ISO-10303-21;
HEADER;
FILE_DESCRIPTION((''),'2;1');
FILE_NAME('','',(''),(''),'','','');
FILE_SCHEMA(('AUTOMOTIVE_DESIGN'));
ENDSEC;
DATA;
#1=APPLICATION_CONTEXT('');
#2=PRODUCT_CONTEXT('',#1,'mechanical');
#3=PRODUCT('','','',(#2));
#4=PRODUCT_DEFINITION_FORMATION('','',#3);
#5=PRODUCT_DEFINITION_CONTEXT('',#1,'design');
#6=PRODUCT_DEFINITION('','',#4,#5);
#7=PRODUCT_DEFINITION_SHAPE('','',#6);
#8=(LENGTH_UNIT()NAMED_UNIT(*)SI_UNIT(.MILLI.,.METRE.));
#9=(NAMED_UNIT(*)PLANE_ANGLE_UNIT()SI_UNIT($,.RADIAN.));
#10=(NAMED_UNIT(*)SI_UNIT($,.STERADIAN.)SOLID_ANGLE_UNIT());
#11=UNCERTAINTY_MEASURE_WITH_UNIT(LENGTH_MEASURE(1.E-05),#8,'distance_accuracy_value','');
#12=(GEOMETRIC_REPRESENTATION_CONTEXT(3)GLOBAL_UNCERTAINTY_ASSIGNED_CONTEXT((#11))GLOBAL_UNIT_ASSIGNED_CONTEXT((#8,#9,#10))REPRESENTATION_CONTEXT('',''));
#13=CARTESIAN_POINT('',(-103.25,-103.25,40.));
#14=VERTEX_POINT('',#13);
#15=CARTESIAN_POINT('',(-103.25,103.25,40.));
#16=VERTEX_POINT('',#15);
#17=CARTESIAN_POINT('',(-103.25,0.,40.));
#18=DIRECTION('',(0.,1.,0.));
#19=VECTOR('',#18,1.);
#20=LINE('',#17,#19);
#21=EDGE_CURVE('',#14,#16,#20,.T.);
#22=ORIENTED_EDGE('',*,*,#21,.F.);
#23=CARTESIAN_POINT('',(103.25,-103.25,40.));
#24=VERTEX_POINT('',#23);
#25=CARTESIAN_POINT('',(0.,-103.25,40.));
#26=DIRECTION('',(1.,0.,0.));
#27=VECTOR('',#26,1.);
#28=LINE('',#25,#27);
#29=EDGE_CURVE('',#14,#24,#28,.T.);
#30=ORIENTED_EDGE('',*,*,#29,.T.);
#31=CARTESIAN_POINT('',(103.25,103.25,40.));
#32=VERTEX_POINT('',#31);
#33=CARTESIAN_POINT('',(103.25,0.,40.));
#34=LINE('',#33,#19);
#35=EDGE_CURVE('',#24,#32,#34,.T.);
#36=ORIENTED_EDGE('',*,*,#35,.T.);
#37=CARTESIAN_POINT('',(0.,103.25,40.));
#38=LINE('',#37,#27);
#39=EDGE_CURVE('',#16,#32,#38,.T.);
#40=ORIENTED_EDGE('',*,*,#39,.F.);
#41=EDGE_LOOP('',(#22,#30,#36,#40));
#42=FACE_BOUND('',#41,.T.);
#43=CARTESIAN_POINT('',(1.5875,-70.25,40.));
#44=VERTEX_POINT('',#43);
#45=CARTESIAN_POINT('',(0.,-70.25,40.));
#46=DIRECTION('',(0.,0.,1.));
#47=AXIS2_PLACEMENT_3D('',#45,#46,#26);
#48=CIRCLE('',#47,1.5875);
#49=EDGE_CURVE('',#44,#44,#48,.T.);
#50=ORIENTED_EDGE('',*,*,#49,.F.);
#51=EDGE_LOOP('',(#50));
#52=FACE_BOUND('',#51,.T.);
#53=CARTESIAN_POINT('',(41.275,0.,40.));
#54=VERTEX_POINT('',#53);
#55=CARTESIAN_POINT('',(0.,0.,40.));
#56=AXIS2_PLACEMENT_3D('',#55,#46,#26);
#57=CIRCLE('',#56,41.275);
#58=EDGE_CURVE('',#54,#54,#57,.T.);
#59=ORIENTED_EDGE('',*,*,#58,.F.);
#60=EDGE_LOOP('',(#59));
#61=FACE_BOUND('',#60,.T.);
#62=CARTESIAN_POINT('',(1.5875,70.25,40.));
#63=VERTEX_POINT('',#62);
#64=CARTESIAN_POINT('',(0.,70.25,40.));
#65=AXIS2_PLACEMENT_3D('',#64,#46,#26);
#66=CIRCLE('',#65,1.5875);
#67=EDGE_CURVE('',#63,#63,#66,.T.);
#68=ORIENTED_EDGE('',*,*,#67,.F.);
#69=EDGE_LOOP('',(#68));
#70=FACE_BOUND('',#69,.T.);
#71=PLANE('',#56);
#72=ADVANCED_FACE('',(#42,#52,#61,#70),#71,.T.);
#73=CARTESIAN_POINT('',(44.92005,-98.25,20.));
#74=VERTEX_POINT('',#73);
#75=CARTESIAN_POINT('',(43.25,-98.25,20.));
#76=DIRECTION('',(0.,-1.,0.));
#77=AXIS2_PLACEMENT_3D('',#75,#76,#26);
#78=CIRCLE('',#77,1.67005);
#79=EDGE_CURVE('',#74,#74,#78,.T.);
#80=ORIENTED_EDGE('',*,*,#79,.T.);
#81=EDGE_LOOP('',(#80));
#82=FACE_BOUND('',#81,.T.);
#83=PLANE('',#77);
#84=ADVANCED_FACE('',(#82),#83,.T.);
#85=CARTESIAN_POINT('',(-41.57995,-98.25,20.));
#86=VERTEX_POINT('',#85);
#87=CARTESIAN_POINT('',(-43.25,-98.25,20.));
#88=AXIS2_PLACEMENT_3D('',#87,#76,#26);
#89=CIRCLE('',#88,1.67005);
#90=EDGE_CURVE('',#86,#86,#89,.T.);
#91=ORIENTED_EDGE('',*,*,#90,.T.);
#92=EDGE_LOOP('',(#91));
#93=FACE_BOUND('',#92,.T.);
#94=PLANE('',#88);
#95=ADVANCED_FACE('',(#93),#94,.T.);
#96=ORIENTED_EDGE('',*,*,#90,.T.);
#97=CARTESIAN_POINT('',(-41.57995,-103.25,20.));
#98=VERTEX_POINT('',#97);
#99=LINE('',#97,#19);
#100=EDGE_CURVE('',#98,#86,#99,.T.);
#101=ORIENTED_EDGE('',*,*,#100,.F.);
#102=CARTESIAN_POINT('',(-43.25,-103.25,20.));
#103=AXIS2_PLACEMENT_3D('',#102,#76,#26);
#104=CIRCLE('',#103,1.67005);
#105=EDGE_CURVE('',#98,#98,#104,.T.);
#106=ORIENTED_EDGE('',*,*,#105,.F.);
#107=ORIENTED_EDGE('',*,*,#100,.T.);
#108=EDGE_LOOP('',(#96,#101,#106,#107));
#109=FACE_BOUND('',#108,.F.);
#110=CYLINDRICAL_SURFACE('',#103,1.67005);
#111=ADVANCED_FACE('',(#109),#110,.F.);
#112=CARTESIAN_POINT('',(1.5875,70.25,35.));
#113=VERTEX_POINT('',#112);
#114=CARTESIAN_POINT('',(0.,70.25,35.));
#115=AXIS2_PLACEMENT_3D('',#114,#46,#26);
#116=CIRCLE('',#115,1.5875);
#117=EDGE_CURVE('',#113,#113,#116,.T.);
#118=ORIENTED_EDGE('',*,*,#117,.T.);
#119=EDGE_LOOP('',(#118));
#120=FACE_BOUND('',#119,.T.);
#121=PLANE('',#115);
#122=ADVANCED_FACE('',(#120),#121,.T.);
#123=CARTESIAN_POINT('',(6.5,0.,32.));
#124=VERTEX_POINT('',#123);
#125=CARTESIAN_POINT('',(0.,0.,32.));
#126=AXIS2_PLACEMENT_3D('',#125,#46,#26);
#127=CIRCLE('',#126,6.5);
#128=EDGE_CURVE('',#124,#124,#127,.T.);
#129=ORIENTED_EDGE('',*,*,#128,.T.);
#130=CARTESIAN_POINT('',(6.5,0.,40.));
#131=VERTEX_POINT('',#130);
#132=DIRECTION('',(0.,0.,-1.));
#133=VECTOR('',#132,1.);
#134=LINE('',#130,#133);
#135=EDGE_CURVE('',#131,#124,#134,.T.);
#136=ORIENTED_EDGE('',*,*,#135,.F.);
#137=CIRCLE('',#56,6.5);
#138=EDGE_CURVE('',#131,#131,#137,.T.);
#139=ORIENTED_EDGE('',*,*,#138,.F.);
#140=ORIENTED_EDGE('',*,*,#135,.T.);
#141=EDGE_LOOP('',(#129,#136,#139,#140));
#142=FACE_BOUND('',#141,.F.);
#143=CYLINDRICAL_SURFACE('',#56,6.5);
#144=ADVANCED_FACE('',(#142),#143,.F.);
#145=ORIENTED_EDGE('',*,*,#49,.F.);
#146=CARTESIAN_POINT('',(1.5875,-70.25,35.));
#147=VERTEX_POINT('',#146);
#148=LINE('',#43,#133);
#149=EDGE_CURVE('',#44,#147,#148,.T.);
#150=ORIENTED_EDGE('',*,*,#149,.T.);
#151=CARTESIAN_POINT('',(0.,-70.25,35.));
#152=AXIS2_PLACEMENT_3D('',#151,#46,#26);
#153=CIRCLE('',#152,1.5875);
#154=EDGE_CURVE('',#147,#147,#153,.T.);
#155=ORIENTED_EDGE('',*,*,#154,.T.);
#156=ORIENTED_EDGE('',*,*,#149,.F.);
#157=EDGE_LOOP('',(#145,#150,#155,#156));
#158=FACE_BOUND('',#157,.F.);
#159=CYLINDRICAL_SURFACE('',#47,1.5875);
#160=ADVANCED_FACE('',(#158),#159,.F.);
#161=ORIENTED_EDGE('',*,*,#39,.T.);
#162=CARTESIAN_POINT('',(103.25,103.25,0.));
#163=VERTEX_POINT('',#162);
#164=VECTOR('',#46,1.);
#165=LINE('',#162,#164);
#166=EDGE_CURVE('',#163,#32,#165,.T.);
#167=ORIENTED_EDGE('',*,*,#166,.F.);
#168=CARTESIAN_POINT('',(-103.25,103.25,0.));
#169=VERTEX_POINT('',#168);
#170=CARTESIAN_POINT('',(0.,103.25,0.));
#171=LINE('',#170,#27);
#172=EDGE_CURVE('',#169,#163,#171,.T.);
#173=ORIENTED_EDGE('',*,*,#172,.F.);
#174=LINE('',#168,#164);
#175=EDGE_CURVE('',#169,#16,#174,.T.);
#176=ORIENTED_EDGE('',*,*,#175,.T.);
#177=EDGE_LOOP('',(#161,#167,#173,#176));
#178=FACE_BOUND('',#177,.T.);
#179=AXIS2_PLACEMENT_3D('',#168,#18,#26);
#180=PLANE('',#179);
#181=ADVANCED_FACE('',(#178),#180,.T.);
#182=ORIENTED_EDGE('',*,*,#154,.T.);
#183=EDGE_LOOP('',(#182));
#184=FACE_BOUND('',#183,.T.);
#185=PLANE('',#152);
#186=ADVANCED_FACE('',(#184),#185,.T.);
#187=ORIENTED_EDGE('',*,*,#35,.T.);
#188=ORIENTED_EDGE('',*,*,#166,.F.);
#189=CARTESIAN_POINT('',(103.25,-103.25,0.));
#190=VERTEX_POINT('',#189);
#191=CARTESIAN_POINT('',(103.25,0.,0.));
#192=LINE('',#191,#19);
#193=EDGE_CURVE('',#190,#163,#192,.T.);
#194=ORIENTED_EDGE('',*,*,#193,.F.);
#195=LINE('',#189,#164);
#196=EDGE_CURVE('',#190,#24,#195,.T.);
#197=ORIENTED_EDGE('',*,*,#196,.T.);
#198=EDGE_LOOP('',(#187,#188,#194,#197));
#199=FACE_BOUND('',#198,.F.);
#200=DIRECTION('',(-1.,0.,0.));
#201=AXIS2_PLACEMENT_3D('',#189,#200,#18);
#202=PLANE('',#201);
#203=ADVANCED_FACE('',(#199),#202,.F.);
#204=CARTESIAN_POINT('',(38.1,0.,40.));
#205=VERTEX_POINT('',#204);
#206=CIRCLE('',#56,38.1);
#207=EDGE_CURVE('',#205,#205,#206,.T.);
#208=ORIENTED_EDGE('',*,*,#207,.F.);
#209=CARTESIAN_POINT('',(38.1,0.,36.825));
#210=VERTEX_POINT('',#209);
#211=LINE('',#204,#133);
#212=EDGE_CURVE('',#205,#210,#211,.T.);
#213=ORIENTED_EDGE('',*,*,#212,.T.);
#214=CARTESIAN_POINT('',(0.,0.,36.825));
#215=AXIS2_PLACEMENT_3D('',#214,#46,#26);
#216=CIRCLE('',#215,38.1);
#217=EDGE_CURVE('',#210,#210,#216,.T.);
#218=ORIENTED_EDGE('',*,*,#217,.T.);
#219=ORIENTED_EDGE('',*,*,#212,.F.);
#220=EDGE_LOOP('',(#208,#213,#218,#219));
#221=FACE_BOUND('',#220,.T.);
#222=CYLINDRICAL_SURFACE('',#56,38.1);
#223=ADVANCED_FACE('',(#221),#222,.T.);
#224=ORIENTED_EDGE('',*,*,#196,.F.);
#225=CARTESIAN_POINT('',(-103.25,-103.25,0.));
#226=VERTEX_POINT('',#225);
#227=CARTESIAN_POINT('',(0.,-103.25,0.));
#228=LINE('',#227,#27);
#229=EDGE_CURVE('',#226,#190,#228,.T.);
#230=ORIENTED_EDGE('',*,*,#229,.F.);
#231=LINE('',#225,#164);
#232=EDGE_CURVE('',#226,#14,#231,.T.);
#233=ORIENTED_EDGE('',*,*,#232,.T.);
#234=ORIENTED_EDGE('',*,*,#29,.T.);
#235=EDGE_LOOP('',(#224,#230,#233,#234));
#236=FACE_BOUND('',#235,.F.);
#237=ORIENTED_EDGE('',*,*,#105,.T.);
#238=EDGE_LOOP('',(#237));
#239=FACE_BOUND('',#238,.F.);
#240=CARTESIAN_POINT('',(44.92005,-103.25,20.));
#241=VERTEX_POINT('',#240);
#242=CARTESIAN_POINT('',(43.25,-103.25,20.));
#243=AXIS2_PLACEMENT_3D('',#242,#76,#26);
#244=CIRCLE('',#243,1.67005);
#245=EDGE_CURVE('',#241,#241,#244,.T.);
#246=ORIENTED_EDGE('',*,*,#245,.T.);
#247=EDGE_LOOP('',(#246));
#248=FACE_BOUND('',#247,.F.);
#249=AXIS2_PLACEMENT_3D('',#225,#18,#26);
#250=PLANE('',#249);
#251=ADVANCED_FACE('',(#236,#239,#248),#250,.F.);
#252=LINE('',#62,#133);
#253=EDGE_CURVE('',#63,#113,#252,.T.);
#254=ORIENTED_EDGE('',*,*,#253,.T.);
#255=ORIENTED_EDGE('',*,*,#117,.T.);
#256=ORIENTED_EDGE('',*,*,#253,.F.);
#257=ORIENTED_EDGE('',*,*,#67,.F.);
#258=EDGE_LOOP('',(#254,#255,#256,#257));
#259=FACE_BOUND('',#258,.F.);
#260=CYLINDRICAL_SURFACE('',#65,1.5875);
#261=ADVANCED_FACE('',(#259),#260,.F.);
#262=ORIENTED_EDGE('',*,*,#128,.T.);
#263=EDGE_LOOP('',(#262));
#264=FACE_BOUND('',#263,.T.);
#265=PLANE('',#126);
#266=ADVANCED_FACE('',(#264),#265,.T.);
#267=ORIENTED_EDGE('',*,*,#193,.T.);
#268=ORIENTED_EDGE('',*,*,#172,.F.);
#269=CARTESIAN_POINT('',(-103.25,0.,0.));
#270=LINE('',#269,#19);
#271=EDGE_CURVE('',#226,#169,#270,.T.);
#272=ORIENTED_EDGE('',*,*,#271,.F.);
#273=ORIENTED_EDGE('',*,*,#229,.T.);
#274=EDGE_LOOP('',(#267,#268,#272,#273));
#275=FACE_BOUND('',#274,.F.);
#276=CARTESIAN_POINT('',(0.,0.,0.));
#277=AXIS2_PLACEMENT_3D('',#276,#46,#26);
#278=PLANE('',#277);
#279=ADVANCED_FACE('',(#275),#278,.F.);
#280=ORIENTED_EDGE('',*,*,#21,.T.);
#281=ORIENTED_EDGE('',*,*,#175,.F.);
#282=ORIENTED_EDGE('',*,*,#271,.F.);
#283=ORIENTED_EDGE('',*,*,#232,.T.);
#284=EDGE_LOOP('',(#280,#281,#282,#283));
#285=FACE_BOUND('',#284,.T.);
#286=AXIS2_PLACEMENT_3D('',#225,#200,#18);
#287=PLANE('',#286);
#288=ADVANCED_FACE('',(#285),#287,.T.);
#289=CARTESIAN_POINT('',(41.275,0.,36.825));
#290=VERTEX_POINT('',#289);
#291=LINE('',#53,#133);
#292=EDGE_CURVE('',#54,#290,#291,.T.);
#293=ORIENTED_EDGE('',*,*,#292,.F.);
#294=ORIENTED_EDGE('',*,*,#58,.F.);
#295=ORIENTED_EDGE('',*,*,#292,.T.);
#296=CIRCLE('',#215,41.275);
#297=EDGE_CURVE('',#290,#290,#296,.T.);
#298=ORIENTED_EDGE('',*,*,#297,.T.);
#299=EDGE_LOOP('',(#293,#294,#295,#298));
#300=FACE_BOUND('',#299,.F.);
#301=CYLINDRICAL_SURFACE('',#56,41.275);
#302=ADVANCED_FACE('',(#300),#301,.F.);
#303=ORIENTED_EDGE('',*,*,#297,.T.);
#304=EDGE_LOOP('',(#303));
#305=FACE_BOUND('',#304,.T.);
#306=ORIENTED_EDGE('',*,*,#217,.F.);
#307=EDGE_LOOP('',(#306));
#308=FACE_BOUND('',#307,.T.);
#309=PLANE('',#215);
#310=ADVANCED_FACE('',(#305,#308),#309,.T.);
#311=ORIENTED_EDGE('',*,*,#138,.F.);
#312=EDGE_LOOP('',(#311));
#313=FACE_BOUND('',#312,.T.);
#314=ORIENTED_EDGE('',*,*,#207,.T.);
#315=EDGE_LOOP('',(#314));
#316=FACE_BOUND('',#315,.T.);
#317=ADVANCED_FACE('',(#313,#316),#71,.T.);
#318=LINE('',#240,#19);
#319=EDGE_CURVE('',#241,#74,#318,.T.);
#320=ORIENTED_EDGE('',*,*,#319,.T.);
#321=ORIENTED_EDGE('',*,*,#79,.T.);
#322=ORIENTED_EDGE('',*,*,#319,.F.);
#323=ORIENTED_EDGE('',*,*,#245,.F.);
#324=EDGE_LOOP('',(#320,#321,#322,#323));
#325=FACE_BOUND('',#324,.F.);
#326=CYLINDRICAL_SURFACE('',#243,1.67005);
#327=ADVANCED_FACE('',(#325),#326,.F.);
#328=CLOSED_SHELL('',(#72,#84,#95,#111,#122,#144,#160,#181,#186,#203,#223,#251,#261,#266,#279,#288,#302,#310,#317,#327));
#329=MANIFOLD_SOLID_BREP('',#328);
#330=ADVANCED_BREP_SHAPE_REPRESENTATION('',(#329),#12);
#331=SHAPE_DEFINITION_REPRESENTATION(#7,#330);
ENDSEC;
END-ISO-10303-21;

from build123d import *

# Parameters (mm, degrees)
F0_W     = 206.5
F0_H     = 206.5
F1_DEPTH = 40
F2_R     = 41.275
F2_R_2   = 38.1
F3_DEPTH = 3.175
F4_R     = 6.5
F5_DEPTH = 8
F6_R     = 1.5875
F8_DEPTH = 5
F7_R     = 1.67005
F9_DEPTH = 5


with BuildPart() as f1:
    # F0 (on Top) → F1 (new body)
    with BuildSketch(Plane.XY):
        Rectangle(F0_W, F0_H)
    extrude(amount=F1_DEPTH)

    # F2 (on face) → F3 (cut)
    with BuildSketch(Plane.XY.offset(40)):
        Circle(F2_R)
        Circle(F2_R_2, mode=Mode.SUBTRACT)
    extrude(amount=-F3_DEPTH, mode=Mode.SUBTRACT)

    # F4 (on face) → F5 (cut)
    with BuildSketch(Plane.XY.offset(40)):
        Circle(F4_R)
    extrude(amount=-F5_DEPTH, mode=Mode.SUBTRACT)

    # F6 (on face) → F8 (cut)
    with BuildSketch(Plane.XY.offset(40)):
        with Locations((0, 70.25)):
            Circle(F6_R)
        with Locations((0, -70.25)):
            Circle(F6_R)
    extrude(amount=-F8_DEPTH, mode=Mode.SUBTRACT)

    # F7 (on face) → F9 (cut)
    with BuildSketch(Plane.XZ.offset(103.25)):
        with Locations((-43.25, 20)):
            Circle(F7_R)
        with Locations((43.25, 20)):
            Circle(F7_R)
    extrude(amount=-F9_DEPTH, mode=Mode.SUBTRACT)


solid = f1.part
